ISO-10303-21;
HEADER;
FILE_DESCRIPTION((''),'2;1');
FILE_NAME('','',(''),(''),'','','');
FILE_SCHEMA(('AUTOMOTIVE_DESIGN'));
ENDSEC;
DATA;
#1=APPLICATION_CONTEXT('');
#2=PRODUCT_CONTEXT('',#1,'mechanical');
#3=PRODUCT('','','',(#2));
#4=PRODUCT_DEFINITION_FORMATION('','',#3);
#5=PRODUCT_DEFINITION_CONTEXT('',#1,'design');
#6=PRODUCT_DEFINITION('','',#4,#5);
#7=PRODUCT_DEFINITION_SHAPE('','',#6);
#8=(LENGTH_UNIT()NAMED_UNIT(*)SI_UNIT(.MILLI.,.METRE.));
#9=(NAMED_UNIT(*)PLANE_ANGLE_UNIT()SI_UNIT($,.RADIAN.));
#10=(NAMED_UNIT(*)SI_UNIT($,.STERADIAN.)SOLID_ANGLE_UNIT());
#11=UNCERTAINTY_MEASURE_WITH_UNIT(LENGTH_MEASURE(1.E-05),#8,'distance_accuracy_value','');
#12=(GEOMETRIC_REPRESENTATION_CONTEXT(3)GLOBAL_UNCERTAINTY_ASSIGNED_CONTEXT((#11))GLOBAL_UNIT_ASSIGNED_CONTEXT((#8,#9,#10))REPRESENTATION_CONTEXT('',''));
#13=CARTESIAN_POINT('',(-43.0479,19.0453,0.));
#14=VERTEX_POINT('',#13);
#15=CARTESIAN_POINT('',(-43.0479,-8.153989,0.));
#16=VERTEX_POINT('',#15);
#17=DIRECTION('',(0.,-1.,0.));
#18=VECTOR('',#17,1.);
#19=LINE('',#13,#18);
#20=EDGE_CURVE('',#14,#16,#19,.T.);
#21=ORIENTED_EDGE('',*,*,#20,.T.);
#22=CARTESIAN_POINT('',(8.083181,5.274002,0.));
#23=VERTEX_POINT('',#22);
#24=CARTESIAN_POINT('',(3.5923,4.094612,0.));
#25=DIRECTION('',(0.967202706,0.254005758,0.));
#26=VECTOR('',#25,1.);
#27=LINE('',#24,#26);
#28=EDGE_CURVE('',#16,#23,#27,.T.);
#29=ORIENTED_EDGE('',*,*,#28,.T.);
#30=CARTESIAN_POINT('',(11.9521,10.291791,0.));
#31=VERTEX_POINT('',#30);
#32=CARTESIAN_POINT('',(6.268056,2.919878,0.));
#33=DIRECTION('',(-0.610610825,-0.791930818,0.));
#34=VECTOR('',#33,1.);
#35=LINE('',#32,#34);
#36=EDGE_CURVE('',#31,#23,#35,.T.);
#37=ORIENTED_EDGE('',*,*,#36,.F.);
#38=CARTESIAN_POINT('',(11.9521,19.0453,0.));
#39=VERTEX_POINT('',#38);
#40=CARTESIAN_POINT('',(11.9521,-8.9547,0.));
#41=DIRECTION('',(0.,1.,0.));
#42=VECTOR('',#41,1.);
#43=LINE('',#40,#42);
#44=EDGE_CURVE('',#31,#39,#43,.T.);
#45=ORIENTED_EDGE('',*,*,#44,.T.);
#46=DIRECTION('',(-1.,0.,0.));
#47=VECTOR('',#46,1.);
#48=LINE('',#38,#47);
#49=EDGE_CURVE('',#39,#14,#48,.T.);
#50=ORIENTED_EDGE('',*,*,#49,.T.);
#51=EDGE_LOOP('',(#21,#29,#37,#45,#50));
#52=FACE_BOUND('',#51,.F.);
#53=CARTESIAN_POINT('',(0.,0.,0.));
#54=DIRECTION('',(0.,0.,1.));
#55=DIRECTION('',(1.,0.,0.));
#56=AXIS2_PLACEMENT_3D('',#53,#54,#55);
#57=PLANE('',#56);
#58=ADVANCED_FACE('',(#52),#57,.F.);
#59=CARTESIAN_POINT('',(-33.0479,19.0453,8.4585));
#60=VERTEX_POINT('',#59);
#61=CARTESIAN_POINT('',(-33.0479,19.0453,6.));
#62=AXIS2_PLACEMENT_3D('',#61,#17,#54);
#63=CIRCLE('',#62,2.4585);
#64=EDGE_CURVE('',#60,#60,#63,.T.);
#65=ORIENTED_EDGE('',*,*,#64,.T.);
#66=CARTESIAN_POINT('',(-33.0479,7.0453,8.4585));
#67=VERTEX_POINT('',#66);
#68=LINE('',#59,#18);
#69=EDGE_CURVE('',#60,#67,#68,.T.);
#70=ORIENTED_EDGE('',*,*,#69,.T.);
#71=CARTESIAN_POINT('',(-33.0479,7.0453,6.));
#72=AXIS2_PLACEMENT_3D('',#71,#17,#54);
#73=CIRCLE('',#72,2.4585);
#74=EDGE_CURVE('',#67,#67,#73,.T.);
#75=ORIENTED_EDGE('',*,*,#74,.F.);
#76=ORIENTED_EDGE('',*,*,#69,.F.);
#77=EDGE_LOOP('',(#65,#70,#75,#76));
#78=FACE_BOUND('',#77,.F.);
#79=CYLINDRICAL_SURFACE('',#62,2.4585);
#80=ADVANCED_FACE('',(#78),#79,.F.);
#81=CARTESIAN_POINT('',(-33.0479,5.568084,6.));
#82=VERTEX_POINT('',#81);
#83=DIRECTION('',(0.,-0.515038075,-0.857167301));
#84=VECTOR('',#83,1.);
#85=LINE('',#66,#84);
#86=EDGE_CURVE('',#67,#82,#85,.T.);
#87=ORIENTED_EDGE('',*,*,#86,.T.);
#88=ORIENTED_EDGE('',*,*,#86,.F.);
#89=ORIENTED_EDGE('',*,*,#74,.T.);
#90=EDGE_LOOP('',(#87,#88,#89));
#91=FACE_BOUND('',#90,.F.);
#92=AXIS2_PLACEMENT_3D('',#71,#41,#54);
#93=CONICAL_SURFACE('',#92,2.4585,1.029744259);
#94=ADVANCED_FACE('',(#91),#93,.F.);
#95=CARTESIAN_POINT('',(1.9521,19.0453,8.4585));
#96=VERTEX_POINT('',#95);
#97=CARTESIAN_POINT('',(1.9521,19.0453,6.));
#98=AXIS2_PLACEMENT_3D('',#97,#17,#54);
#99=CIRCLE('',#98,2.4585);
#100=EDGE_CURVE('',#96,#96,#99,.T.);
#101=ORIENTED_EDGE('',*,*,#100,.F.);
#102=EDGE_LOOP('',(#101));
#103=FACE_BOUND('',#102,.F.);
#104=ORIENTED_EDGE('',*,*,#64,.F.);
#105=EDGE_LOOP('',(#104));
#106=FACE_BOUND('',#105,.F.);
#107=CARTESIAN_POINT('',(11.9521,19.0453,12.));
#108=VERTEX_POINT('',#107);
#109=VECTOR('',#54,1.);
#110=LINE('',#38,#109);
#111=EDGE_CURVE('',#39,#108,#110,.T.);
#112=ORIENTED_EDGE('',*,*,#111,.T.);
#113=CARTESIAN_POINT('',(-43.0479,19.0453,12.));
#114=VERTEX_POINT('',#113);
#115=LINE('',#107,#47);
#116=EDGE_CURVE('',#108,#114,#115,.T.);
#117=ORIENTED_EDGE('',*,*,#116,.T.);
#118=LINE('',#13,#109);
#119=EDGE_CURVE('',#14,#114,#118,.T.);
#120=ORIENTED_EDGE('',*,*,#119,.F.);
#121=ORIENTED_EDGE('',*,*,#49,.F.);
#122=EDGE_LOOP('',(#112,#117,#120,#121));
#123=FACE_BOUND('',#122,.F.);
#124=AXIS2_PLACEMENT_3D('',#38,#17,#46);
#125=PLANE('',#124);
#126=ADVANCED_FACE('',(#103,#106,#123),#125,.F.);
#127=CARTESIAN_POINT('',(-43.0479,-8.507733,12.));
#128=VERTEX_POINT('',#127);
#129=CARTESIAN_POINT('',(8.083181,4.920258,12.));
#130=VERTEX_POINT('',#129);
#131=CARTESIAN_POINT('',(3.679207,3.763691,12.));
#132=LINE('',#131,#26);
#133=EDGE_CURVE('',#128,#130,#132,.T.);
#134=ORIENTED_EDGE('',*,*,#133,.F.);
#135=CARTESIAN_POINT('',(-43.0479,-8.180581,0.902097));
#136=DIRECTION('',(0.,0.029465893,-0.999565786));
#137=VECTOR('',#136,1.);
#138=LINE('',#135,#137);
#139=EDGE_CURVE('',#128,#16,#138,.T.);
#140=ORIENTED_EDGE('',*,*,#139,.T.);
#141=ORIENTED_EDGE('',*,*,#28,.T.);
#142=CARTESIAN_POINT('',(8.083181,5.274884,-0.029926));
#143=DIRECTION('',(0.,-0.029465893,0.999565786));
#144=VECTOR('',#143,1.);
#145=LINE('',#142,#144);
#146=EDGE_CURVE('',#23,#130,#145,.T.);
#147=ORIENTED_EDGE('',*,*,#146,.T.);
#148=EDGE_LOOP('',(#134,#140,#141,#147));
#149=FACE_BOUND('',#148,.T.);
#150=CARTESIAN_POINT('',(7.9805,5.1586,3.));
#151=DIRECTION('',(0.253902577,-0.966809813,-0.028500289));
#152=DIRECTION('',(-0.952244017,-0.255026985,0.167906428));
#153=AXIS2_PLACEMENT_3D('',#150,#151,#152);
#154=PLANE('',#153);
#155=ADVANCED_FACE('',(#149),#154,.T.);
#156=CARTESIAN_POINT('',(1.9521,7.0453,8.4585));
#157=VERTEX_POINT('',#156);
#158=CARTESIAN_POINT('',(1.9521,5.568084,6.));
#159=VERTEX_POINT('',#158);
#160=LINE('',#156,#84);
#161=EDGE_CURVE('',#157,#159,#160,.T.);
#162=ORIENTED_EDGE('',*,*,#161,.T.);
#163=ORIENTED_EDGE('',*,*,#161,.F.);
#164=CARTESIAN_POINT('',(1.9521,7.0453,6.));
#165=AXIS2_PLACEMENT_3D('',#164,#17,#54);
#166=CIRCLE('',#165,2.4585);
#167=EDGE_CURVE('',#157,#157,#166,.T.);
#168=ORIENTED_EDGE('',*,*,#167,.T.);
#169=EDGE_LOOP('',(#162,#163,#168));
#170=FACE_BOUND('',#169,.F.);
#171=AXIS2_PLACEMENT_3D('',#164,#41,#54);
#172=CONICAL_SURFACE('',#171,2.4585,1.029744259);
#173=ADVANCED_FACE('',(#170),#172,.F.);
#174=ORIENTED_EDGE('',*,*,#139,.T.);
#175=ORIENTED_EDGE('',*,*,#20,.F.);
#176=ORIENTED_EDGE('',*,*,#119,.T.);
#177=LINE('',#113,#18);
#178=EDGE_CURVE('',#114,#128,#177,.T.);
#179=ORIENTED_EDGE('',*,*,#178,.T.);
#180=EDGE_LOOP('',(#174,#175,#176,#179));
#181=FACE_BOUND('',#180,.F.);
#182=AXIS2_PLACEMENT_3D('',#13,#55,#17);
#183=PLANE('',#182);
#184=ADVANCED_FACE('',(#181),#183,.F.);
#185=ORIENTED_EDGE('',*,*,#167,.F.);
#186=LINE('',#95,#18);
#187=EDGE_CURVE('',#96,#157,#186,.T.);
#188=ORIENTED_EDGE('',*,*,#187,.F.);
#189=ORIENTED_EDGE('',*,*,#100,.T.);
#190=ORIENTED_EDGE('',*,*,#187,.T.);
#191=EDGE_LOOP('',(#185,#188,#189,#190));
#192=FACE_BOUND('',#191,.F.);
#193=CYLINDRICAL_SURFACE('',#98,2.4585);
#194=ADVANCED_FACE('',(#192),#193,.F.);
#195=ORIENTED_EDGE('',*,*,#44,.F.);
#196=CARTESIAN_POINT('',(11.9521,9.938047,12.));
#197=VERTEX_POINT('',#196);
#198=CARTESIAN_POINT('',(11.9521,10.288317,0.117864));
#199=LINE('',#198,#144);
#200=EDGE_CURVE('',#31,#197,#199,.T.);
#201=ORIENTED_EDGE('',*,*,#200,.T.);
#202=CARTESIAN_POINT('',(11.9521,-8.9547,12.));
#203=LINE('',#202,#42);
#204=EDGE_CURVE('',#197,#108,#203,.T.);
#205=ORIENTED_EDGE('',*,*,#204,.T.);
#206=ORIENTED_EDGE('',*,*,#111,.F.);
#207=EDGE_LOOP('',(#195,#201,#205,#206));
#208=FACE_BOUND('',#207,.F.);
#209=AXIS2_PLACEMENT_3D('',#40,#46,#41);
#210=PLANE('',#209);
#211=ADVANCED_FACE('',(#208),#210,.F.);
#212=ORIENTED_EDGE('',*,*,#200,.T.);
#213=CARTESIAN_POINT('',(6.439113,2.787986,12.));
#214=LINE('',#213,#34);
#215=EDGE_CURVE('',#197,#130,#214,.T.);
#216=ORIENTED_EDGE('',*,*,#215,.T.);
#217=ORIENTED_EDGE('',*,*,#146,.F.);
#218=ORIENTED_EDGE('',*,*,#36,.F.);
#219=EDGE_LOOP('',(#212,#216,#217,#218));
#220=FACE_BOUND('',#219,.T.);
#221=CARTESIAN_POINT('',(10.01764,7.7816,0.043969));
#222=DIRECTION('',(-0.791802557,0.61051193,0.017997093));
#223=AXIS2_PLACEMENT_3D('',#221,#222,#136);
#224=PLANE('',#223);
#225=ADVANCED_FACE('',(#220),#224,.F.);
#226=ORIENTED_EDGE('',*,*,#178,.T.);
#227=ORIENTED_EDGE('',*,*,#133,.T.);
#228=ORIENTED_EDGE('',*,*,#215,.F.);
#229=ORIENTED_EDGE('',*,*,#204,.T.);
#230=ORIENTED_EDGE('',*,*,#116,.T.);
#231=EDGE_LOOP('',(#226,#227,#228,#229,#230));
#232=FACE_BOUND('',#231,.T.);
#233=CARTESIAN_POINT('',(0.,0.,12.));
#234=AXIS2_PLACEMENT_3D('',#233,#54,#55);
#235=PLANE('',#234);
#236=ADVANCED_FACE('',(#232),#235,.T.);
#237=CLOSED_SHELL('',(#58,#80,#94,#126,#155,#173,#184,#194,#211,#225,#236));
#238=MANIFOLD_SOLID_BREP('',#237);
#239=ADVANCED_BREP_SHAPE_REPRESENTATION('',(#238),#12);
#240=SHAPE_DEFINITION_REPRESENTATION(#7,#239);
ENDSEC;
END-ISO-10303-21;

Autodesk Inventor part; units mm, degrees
ref_plane "YZ Plane" through (0, 0, 0) normal (1, 0, 0) x (0, 1, 0)
ref_plane "XZ Plane" through (0, 0, 0) normal (0, 1, 0) x (-1, 0, 0)
sketch "スケッチ2" plane through (0, 0, 0) normal (0, 0, 1) x (1, 0, 0)
  line L0 (-43.0479, 19.0453) -> (-43.0479, -8.9547)
  line L1 (-43.0479, -8.9547) -> (11.9521, -8.9547)
  line L2 (11.9521, -8.9547) -> (11.9521, 19.0453)
  line L3 (11.9521, 19.0453) -> (-43.0479, 19.0453)
  point P0 (0, 0)
  dimension "d3" = 55
  dimension "d16" = 28
extrude "押し出し2" add sketch "スケッチ2" along normal blind 12
sketch "スケッチ4" plane through (-43.0479, 19.0453, 0) normal (0, 1, 0) x (1, 0, 0)
  line L0 (55, 0) -> (55, -12) projected
  line L1 (0, 0) -> (0, -12) projected
  line L2 (0, -6) -> (55, -6)
  line L3 (0, -12) -> (55, -12) projected
  line L4 (0, 0) -> (55, 0) projected
  point P0 (10, -6)
  point P1 (45, -6)
  dimension "d17" = 10
  dimension "d18" = 35
hole "穴2" at (-33.0479, 19.0453, 6) at (1.9521, 19.0453, 6) direction (0, -1, 0) diameter 4.917 depth 12 tip angle 118 thread size "M6x1" class "6H" standard "ISO Metric profile"
ref_plane "作業平面8" through (7.9805, 5.1586, 3) normal (0.2539, -0.9668, -0.0285) x (-0.9522, -0.2551, 0.1679)
sketch "スケッチ7" plane through (7.9805, 5.1586, 3) normal (0.2539, -0.9668, -0.0285) x (-0.9522, -0.2551, 0.1679)
  line L0 (-7.2879, 16.2377) -> (59.5212, 16.2377)
  line L1 (59.5212, 16.2377) -> (59.5212, -15.7653)
  line L2 (59.5212, -15.7653) -> (-7.2879, -15.7653)
  line L3 (-7.2879, -15.7653) -> (-7.2879, 16.2377)
extrude "押し出し5" cut sketch "スケッチ7" along normal through all
chamfer "面取り1" distance 4 angle 45 1 edges at (11.9521, 6.1134, 6)
properties part number "100012" material "STEEL - HIGH GRADE ALLOY, BLACK OXIDE FINISH"
